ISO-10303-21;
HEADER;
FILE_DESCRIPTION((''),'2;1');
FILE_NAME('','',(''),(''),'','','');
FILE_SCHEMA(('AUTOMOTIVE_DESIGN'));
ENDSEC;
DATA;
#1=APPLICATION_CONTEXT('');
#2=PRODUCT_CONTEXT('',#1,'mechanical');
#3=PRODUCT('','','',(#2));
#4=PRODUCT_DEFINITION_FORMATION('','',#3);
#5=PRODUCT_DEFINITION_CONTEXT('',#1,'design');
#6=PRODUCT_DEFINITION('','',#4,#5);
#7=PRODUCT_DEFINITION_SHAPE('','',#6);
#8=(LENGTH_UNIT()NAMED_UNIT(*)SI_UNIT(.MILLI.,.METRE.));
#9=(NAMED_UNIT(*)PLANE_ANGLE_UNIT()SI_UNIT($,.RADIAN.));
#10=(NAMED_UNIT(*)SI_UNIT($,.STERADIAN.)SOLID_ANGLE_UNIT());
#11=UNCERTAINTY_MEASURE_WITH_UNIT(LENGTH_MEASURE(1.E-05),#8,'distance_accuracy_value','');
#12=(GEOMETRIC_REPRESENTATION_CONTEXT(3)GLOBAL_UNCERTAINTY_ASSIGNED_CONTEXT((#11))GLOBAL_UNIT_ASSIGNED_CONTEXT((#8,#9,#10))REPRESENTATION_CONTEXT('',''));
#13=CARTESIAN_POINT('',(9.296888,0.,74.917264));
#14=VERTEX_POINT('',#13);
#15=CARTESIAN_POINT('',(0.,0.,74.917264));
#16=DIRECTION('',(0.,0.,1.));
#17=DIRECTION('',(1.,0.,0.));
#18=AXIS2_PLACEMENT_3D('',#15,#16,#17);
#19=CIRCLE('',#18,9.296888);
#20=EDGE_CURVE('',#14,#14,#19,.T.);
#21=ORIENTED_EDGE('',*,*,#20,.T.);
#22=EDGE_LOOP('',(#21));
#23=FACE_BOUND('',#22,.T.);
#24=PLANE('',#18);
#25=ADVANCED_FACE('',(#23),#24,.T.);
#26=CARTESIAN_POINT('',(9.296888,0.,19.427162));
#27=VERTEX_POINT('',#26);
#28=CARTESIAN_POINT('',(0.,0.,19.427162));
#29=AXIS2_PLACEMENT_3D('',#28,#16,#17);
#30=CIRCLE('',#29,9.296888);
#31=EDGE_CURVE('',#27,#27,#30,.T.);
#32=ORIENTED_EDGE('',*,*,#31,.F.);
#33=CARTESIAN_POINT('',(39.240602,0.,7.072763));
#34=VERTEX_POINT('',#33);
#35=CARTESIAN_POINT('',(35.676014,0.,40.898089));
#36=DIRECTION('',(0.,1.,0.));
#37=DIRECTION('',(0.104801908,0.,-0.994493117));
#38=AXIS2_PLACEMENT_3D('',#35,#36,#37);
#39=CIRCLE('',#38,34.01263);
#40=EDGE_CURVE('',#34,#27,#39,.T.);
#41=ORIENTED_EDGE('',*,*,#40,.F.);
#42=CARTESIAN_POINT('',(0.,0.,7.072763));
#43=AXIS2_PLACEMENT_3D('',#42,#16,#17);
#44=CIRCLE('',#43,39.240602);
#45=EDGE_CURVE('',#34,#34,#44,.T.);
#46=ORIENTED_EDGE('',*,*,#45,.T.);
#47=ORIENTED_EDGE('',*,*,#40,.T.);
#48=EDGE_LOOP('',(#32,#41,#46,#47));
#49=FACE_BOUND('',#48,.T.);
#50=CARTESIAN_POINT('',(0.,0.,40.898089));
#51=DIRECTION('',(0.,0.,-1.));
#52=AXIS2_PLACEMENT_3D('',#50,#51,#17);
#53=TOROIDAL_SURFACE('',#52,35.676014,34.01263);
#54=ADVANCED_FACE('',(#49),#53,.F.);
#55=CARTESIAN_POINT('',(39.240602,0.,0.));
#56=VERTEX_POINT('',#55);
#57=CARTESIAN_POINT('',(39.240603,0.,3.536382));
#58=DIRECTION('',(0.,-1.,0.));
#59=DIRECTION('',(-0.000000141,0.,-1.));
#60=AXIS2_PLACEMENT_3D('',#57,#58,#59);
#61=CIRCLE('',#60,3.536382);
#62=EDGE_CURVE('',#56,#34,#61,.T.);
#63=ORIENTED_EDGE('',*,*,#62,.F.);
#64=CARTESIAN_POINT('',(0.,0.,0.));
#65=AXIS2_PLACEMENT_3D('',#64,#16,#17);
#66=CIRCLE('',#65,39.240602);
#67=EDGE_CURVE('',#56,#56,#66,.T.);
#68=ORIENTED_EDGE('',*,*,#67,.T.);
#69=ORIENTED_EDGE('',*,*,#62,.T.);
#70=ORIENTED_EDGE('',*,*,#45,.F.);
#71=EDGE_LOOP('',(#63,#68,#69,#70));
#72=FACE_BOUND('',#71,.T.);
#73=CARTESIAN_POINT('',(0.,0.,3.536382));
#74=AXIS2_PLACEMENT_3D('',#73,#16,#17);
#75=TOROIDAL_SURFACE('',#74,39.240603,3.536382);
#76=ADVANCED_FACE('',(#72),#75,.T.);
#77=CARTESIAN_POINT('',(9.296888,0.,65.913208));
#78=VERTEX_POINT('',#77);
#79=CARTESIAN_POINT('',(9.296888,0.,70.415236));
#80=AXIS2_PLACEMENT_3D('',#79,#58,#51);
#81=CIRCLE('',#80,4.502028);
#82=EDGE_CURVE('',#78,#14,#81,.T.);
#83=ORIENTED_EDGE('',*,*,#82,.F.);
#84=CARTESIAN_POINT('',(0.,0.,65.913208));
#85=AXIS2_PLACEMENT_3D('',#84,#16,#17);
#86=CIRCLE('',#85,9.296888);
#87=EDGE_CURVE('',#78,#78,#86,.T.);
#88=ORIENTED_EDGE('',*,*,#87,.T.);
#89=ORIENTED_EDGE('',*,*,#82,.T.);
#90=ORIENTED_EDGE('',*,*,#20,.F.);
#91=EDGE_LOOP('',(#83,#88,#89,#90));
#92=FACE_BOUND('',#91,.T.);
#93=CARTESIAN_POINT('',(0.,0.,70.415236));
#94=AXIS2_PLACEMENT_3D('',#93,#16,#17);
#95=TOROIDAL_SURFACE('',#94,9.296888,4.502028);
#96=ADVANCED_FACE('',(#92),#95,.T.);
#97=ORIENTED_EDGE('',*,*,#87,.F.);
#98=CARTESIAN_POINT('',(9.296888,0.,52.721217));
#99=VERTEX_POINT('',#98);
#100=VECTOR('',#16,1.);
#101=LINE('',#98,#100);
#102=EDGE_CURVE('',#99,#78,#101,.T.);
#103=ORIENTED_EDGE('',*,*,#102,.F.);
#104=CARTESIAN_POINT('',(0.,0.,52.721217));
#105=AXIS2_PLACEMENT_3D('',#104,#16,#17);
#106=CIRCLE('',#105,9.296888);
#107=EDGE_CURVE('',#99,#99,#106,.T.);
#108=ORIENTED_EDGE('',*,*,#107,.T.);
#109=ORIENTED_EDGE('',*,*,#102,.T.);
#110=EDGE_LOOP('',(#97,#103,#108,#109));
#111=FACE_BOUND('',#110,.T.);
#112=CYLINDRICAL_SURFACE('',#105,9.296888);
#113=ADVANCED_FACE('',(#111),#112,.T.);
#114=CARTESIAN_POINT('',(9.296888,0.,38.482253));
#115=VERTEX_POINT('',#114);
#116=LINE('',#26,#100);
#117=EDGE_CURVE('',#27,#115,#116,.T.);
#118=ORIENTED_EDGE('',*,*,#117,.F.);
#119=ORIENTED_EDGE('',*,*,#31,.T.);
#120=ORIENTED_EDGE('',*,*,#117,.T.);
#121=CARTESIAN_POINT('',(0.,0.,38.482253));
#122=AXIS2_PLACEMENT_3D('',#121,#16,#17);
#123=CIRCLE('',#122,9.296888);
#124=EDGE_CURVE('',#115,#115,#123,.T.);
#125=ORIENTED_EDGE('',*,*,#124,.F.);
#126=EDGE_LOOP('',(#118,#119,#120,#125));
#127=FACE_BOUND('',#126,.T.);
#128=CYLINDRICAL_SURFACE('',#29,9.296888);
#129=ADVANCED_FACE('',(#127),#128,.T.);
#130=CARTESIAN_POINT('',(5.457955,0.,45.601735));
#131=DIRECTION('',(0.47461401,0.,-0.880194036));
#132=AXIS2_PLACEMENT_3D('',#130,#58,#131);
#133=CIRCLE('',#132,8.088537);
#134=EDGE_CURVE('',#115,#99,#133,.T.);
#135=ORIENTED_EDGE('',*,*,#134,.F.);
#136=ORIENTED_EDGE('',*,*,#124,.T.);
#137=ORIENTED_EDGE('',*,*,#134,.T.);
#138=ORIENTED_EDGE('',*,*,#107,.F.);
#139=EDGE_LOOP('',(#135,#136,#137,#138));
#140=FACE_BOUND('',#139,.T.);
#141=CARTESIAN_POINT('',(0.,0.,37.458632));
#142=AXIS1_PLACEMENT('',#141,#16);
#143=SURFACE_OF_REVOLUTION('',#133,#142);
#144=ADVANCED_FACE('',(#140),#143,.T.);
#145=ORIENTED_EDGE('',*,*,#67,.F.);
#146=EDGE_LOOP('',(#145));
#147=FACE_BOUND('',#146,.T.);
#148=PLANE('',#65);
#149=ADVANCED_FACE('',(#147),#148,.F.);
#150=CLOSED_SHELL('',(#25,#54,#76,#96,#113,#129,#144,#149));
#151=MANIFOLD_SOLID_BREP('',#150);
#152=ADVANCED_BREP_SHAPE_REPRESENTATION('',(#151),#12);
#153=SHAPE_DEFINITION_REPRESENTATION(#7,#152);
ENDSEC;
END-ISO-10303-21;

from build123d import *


with BuildPart() as f1:
    # F0 (on Front) → F1 (revolve)
    with BuildSketch(Plane.XZ):
        with BuildLine():
            Line((0, 74.917264), (0, 0))
            Line((0, 0), (39.240602, 0))
            ThreePointArc((39.240602, 0), (42.776984, 3.536382), (39.240602, 7.072763))
            ThreePointArc((39.240602, 7.072763), (22.703598, 9.45647), (9.296888, 19.427162))
            Line((9.296888, 19.427162), (9.296888, 38.482253))
            ThreePointArc((9.296888, 38.482253), (13.546492, 45.601735), (9.296888, 52.721217))
            Line((9.296888, 52.721217), (9.296888, 65.913208))
            ThreePointArc((9.296888, 65.913208), (13.798916, 70.415236), (9.296888, 74.917264))
            Line((9.296888, 74.917264), (0, 74.917264))
        make_face()
    revolve(axis=Axis((0, 0, 37.458632), (0, 0, 1)))


solid = f1.part
